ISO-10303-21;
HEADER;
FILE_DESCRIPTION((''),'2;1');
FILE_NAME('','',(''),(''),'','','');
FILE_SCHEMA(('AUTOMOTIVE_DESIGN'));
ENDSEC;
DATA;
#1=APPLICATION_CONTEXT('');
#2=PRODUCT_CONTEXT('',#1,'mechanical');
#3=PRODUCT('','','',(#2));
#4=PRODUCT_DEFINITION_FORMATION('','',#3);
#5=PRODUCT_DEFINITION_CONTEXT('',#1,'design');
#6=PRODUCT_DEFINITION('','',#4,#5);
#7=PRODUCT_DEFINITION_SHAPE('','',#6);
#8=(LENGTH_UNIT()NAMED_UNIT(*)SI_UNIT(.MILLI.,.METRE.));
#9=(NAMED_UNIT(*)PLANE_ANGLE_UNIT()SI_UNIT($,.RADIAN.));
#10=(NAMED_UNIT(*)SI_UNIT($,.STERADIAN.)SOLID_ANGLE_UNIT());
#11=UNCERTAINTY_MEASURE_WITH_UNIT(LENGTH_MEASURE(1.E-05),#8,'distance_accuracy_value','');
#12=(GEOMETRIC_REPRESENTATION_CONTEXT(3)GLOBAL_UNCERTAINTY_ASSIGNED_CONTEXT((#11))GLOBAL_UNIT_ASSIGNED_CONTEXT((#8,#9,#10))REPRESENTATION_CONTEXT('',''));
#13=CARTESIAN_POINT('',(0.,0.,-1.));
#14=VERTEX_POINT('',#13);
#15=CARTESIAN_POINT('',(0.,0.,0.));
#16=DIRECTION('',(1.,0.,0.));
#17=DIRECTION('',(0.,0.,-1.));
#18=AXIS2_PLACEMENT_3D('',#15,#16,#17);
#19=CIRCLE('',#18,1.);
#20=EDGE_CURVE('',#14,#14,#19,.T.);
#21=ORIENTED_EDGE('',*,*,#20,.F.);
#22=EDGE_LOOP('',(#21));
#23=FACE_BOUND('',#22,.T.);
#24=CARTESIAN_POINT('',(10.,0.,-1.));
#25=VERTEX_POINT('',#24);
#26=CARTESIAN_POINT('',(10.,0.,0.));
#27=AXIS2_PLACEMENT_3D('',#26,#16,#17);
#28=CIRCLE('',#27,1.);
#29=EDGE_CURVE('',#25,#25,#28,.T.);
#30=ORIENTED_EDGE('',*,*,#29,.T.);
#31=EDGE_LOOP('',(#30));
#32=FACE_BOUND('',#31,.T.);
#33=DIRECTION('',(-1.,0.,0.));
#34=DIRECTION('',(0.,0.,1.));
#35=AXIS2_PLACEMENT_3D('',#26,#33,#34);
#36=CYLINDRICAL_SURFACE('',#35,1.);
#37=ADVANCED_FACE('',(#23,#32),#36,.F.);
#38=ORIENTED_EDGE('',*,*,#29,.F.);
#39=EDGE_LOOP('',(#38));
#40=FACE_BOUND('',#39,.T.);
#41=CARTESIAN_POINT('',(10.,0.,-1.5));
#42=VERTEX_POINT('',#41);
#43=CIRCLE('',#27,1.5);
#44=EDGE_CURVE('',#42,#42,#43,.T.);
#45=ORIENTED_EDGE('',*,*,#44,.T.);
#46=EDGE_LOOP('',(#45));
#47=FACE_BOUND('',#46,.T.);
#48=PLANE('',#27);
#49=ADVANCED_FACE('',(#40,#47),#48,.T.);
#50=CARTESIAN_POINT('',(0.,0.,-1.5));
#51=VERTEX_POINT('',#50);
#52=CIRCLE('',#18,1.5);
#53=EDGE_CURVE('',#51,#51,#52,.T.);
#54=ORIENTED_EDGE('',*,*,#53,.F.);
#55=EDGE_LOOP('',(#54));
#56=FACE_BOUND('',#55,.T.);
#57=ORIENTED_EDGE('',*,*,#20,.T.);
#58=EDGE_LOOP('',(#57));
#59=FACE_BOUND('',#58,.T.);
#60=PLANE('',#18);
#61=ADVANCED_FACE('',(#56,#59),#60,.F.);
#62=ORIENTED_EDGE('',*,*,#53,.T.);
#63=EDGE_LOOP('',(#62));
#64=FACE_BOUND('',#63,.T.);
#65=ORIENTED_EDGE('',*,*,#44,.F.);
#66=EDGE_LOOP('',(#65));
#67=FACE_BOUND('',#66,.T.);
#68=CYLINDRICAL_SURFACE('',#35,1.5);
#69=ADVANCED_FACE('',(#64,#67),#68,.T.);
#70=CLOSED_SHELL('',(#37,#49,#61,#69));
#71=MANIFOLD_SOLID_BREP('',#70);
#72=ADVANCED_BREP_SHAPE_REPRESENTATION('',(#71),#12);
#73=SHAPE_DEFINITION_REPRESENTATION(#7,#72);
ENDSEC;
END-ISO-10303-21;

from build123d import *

# Parameters (mm, degrees)
SKETCH1_R             = 1.5
SKETCH1_R_2           = 1
EXTRUDE_9811T16_DEPTH = 10


with BuildPart() as part:
    # Sketch1 → Extrude 9811T16 (new body)
    with BuildSketch(Plane(origin=(0, 0, 0), x_dir=(0, 0, -1), z_dir=(1, 0, 0))):
        Circle(SKETCH1_R)
        Circle(SKETCH1_R_2, mode=Mode.SUBTRACT)
    extrude(amount=EXTRUDE_9811T16_DEPTH)


solid = part.part
